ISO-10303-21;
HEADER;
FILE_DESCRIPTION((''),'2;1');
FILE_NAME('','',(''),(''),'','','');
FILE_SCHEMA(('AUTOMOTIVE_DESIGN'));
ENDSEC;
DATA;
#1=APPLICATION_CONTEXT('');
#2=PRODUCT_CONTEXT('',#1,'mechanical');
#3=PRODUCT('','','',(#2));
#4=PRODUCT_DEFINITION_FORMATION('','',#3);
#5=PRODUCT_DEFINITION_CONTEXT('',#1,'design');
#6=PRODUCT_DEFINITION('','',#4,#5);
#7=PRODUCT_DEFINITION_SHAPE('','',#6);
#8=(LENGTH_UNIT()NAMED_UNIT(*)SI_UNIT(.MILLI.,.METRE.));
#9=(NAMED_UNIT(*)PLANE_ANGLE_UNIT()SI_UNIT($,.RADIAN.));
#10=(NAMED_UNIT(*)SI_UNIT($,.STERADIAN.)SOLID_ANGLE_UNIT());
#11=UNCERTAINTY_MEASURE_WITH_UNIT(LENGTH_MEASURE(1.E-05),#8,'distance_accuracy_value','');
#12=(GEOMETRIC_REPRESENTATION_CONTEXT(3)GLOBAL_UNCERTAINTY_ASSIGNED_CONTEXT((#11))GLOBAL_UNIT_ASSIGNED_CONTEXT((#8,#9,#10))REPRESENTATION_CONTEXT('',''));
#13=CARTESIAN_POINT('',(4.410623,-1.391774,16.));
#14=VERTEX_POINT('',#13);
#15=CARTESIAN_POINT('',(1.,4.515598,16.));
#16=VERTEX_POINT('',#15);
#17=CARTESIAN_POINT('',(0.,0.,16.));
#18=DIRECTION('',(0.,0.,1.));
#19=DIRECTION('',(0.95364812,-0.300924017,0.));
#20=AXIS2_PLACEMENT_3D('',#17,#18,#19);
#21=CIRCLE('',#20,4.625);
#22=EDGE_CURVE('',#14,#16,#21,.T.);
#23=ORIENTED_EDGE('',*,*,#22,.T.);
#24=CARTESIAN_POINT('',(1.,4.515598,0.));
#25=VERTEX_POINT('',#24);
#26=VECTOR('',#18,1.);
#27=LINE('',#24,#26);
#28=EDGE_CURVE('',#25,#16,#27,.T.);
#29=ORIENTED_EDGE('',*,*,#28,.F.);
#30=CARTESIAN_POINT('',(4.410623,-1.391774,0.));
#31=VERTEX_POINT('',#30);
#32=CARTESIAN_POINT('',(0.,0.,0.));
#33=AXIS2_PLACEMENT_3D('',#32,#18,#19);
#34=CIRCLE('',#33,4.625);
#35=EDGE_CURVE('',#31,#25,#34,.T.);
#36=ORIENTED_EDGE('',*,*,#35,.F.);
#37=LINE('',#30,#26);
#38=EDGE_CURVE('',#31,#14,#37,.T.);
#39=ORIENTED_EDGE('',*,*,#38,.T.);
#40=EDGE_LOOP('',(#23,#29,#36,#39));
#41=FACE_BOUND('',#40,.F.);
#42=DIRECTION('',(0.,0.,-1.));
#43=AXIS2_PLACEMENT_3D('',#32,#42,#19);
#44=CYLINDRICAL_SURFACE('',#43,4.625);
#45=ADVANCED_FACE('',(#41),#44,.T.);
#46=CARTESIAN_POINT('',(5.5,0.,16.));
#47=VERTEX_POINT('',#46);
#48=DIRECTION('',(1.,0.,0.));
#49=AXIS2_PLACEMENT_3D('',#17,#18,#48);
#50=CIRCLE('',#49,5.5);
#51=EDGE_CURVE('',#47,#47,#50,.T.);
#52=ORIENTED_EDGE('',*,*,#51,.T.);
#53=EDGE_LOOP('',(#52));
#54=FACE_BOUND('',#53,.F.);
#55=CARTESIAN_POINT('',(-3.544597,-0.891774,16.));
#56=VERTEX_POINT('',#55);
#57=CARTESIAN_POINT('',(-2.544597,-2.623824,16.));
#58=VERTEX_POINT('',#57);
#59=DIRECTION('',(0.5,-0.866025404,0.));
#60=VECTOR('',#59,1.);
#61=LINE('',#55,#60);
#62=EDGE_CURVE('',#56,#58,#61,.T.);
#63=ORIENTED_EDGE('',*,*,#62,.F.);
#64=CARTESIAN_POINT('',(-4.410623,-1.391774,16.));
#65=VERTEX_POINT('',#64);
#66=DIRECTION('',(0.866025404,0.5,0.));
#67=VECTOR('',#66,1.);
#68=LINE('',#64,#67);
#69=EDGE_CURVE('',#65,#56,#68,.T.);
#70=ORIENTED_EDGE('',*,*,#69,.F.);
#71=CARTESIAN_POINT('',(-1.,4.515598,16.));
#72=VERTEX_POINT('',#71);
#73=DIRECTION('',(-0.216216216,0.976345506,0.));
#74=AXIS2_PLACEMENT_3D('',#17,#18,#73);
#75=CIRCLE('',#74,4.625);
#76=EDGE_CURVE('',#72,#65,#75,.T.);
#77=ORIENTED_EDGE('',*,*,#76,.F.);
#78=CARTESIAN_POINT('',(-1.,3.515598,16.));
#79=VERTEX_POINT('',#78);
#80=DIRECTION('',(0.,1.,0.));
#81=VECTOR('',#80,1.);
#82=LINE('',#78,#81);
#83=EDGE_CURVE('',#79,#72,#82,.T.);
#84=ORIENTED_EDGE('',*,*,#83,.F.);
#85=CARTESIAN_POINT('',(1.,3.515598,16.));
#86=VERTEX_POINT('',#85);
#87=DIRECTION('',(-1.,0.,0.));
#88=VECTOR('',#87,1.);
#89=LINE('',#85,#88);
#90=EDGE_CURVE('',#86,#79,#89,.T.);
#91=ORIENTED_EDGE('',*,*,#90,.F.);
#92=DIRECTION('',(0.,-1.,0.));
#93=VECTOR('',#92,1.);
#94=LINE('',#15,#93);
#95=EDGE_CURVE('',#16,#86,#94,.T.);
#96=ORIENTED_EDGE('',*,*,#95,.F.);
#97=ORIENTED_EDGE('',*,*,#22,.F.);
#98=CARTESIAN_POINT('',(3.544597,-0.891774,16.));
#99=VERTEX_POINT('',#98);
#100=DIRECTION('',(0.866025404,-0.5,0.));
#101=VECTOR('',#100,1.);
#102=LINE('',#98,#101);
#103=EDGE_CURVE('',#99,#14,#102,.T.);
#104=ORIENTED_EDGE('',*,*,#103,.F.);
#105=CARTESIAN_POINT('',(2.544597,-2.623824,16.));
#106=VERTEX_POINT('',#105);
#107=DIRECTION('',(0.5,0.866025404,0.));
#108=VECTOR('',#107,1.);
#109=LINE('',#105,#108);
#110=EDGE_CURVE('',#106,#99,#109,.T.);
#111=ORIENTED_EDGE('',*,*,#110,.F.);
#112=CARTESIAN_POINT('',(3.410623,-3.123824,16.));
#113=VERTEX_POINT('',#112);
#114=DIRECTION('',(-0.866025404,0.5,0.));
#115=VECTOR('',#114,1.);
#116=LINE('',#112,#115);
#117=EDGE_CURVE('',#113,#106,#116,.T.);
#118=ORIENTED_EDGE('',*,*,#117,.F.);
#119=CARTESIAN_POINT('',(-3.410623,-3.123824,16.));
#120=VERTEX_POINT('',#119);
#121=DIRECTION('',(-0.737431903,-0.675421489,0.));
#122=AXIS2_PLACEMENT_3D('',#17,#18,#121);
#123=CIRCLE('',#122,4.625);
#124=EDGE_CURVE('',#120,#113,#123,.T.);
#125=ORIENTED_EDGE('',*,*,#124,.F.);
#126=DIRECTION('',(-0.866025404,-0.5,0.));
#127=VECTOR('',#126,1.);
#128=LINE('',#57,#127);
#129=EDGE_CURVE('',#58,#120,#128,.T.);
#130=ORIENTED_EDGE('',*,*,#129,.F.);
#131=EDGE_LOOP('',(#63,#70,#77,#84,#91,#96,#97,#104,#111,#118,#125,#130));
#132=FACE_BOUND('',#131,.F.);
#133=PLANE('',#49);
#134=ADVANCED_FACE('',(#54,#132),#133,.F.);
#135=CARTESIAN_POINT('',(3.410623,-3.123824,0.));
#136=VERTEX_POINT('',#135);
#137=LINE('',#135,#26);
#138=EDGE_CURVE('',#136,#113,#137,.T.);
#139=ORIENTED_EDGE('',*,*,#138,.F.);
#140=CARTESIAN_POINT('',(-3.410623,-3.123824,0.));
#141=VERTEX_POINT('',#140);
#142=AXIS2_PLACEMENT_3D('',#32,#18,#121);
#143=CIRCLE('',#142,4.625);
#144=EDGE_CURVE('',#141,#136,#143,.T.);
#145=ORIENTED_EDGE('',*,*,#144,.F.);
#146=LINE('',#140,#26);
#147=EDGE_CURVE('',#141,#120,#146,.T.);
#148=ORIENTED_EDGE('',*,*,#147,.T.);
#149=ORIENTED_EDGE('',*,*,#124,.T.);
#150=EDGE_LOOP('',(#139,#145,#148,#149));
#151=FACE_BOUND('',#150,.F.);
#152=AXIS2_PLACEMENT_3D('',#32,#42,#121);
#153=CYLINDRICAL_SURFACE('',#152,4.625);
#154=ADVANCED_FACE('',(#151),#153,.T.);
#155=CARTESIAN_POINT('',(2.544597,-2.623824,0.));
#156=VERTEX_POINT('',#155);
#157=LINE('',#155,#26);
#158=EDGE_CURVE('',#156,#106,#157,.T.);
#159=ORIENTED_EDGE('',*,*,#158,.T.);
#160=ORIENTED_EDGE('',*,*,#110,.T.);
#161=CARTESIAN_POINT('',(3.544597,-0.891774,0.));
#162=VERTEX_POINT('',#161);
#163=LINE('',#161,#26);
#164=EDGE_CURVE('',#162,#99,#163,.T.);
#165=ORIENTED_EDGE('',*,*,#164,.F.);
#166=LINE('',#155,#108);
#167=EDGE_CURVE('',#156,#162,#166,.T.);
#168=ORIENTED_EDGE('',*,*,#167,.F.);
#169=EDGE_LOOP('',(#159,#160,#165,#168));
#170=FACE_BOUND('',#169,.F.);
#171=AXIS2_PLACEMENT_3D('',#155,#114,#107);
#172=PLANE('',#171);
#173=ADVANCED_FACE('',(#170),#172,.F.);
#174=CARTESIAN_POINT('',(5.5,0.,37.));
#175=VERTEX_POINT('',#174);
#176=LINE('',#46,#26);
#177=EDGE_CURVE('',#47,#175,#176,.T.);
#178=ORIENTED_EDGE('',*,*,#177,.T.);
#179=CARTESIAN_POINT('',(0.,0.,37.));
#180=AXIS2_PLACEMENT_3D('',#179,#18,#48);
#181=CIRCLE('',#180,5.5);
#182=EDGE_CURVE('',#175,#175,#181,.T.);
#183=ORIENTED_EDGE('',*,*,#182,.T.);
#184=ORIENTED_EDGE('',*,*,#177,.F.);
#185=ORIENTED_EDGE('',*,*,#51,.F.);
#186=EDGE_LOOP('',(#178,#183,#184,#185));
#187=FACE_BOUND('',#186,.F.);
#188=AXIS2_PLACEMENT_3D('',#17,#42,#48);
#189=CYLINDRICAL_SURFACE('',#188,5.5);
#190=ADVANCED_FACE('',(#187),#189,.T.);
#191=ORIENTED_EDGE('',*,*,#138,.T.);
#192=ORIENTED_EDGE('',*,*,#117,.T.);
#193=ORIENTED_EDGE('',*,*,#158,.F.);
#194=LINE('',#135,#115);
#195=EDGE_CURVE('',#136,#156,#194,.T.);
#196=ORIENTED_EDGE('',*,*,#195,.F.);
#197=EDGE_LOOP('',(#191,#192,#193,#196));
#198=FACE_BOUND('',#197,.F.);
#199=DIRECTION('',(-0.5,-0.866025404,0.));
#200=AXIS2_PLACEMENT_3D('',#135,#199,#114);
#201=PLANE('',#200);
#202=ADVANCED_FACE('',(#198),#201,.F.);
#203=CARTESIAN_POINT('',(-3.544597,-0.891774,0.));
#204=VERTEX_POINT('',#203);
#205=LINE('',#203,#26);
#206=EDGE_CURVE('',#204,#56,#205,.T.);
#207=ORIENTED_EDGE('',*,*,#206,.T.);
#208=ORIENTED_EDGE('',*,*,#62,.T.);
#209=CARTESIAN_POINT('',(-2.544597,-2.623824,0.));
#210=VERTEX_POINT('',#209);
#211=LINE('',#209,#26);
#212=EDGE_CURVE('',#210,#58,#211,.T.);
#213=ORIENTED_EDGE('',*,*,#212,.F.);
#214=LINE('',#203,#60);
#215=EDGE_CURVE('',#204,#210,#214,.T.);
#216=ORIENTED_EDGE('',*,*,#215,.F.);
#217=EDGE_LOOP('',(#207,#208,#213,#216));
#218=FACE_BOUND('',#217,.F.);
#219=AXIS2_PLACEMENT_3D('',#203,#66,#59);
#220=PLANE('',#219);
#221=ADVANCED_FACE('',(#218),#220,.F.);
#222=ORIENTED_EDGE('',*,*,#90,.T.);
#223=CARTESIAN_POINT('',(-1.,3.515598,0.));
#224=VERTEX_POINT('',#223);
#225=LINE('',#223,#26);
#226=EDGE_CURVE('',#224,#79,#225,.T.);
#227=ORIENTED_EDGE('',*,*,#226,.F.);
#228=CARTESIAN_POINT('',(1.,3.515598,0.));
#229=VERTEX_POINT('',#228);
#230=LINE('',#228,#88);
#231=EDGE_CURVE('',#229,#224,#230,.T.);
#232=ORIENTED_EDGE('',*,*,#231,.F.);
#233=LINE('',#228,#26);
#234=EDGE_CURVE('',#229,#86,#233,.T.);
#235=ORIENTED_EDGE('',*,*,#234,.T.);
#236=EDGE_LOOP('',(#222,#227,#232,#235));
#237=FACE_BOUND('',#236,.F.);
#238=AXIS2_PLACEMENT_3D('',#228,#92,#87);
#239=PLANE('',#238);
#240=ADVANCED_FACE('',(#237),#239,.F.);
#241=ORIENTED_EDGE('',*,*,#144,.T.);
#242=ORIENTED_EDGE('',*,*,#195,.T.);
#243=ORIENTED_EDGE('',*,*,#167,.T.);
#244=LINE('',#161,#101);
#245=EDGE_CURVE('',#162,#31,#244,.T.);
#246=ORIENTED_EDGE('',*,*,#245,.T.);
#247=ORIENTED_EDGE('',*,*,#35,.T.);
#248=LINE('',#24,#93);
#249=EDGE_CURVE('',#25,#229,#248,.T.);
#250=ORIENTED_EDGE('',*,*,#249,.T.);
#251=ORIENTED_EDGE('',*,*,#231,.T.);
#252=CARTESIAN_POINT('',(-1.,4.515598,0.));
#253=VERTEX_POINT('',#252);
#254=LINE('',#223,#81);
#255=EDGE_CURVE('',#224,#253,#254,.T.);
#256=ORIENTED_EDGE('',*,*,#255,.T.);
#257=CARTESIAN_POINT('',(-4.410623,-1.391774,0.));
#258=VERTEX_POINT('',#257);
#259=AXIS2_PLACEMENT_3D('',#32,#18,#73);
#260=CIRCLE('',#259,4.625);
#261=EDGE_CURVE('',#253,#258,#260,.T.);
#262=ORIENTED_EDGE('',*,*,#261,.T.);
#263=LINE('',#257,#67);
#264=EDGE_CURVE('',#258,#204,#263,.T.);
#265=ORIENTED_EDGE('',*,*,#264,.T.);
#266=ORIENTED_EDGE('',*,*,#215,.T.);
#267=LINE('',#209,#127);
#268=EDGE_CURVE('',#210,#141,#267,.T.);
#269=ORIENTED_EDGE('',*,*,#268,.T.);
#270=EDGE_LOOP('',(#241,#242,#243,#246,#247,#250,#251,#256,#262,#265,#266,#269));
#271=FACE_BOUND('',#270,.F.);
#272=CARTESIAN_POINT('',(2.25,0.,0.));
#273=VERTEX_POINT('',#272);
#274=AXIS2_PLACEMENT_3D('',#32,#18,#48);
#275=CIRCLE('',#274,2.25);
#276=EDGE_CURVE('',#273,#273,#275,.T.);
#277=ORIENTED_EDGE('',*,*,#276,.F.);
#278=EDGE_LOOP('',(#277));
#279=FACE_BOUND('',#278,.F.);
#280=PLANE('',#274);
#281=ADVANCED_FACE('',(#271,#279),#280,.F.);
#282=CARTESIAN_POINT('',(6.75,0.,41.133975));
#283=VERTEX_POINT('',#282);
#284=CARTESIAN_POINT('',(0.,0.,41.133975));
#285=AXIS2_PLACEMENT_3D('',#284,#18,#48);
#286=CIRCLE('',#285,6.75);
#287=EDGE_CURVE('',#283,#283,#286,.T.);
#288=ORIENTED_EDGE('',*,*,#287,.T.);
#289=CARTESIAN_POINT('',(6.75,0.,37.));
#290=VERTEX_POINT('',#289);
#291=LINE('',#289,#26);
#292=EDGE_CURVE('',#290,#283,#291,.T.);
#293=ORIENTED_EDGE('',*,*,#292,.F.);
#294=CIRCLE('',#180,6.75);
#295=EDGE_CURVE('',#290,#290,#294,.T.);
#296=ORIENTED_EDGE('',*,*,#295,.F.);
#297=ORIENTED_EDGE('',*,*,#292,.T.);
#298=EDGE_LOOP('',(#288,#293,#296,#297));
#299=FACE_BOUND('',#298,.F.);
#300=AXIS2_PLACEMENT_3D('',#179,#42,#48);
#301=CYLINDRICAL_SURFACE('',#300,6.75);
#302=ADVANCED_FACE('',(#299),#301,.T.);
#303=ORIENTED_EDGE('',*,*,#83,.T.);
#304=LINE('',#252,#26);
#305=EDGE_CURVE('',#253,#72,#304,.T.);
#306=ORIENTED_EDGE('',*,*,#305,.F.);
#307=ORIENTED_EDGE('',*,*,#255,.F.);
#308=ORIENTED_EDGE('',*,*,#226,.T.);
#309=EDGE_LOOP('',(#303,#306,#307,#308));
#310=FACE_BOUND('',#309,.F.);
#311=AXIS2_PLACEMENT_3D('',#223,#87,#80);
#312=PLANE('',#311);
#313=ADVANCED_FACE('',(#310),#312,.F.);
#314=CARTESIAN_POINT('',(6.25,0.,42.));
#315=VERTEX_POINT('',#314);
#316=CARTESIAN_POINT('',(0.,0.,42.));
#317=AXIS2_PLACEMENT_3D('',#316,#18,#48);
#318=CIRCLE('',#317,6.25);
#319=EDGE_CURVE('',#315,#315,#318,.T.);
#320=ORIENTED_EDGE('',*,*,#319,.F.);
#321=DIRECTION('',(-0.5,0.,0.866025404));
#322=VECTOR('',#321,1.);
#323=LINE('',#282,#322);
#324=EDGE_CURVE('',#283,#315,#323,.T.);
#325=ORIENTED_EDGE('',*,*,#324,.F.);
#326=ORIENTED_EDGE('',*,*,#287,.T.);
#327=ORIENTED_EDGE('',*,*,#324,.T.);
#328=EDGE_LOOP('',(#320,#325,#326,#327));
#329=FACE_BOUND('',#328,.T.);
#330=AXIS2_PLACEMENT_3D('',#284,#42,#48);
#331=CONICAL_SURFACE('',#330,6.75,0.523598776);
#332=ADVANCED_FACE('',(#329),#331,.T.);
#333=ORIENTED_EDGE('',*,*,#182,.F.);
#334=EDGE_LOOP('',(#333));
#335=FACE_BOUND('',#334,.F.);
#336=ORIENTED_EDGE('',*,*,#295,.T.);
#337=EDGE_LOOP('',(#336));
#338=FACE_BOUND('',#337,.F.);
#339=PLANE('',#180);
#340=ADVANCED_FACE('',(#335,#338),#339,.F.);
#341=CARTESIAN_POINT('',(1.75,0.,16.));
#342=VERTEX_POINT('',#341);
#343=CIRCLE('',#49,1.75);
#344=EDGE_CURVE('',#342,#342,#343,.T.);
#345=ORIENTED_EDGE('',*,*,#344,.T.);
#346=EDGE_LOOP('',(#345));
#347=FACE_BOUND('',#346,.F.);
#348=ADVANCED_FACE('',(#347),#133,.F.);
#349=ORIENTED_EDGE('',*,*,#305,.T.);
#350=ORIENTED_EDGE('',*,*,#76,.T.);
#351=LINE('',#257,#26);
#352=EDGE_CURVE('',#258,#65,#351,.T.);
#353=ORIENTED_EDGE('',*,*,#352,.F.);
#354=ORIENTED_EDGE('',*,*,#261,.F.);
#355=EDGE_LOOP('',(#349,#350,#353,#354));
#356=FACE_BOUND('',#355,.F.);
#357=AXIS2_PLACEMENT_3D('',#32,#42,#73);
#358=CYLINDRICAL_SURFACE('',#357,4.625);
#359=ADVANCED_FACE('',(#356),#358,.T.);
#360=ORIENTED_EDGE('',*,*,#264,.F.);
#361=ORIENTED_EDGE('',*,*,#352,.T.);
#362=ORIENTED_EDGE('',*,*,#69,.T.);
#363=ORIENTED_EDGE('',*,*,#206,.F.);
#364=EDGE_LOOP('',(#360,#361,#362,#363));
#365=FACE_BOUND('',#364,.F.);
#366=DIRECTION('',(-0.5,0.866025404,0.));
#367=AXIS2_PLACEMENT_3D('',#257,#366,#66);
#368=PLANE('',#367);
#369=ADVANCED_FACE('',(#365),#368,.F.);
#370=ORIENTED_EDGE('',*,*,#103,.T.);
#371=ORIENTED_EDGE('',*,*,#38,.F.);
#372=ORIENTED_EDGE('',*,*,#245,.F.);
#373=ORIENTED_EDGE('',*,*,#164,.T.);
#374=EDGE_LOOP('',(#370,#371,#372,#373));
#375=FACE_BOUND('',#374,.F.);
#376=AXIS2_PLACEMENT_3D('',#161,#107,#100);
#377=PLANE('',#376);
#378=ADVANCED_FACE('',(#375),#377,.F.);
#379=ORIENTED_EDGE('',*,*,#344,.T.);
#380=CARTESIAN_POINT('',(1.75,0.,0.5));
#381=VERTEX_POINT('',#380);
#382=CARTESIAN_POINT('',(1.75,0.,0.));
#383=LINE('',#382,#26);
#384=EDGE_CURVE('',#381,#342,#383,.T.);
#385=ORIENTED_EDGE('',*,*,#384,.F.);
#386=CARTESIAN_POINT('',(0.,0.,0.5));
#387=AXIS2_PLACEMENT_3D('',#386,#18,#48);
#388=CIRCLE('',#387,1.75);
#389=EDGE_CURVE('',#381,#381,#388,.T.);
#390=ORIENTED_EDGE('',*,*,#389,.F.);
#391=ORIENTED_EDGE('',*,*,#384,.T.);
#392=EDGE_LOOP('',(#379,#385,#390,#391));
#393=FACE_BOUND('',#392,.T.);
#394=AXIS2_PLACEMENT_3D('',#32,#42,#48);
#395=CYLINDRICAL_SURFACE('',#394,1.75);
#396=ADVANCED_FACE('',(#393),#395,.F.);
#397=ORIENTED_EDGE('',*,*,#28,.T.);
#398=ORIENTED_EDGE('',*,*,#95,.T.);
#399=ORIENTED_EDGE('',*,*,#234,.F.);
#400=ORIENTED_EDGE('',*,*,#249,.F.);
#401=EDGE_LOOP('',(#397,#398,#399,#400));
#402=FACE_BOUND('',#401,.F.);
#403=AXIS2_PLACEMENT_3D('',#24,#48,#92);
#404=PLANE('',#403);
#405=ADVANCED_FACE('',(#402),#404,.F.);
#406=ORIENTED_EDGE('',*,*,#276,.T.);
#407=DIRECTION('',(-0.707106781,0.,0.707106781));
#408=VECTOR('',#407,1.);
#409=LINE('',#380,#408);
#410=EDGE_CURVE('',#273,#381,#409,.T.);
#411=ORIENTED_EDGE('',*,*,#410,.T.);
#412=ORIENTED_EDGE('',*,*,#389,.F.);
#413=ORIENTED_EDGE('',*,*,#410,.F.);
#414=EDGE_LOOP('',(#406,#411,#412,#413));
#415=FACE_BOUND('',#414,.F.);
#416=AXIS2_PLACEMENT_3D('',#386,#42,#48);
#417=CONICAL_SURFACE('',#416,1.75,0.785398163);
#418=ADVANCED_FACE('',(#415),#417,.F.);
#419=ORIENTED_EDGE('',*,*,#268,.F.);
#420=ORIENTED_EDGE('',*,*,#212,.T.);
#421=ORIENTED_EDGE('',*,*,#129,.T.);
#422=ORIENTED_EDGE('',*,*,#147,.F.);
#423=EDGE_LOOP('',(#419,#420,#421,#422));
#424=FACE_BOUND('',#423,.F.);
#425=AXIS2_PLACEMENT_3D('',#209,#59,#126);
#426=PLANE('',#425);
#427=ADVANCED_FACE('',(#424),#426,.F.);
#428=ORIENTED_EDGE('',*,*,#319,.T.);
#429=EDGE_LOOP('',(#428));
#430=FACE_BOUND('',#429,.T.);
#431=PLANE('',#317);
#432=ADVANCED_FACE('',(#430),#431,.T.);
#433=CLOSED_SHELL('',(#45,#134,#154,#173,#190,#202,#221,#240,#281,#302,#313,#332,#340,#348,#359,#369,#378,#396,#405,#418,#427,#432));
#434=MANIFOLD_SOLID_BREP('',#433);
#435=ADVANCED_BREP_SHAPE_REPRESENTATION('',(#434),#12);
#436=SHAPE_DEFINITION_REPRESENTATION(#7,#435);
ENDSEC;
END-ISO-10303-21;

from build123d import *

# Parameters (mm, degrees)
F0_R     = 1.75
F1_DEPTH = 16
F2_R     = 5.5
F3_DEPTH = 21
F4_R     = 6.75
F5_DEPTH = 5
F6_SIZE2 = 0.5
F6_SIZE  = 0.8660254038
F7_SIZE  = 0.5


with BuildPart() as f1:
    # F0 (on Top) → F1 (new body)
    with BuildSketch(Plane.XY):
        with BuildLine():
            Line((-1, 3.515597967), (-1, 4.515597967))
            ThreePointArc((-1, 4.515597967), (-4.0053674925, 2.3125), (-4.4106225527, -1.3917735797))
            Line((-4.4106225527, -1.3917735797), (-3.544597149, -0.8917735797))
            Line((-3.544597149, -0.8917735797), (-2.544597149, -2.6238243873))
            Line((-2.544597149, -2.6238243873), (-3.4106225527, -3.1238243873))
            ThreePointArc((-3.4106225527, -3.1238243873), (0, -4.625), (3.4106225527, -3.1238243873))
            Line((3.4106225527, -3.1238243873), (2.544597149, -2.6238243873))
            Line((2.544597149, -2.6238243873), (3.544597149, -0.8917735797))
            Line((3.544597149, -0.8917735797), (4.4106225527, -1.3917735797))
            ThreePointArc((4.4106225527, -1.3917735797), (4.0053674925, 2.3125), (1, 4.515597967))
            Line((1, 4.515597967), (1, 3.515597967))
            Line((1, 3.515597967), (-1, 3.515597967))
        make_face()
        Circle(F0_R, mode=Mode.SUBTRACT)
    extrude(amount=F1_DEPTH)

    # F2 (on face) → F3 (join)
    with BuildSketch(Plane.XY.offset(16)):
        Circle(F2_R)
    extrude(amount=F3_DEPTH)

    # F4 (on face) → F5 (join)
    with BuildSketch(Plane.XY.offset(37)):
        Circle(F4_R)
    extrude(amount=F5_DEPTH)

    # F6
    f6_edges = [f1.edges().sort_by_distance(p)[0] for p in [
        (-6.75, 0, 42),
    ]]
    f6_side = f1.faces().sort_by_distance((-6.75, 0, 39.5))[0]
    chamfer(f6_edges, length=F6_SIZE, length2=F6_SIZE2, reference=f6_side)

    # F7
    f7_edges = [f1.edges().sort_by_distance(p)[0] for p in [
        (-1.75, 0, 0),
    ]]
    chamfer(f7_edges, length=F7_SIZE)


solid = f1.part
